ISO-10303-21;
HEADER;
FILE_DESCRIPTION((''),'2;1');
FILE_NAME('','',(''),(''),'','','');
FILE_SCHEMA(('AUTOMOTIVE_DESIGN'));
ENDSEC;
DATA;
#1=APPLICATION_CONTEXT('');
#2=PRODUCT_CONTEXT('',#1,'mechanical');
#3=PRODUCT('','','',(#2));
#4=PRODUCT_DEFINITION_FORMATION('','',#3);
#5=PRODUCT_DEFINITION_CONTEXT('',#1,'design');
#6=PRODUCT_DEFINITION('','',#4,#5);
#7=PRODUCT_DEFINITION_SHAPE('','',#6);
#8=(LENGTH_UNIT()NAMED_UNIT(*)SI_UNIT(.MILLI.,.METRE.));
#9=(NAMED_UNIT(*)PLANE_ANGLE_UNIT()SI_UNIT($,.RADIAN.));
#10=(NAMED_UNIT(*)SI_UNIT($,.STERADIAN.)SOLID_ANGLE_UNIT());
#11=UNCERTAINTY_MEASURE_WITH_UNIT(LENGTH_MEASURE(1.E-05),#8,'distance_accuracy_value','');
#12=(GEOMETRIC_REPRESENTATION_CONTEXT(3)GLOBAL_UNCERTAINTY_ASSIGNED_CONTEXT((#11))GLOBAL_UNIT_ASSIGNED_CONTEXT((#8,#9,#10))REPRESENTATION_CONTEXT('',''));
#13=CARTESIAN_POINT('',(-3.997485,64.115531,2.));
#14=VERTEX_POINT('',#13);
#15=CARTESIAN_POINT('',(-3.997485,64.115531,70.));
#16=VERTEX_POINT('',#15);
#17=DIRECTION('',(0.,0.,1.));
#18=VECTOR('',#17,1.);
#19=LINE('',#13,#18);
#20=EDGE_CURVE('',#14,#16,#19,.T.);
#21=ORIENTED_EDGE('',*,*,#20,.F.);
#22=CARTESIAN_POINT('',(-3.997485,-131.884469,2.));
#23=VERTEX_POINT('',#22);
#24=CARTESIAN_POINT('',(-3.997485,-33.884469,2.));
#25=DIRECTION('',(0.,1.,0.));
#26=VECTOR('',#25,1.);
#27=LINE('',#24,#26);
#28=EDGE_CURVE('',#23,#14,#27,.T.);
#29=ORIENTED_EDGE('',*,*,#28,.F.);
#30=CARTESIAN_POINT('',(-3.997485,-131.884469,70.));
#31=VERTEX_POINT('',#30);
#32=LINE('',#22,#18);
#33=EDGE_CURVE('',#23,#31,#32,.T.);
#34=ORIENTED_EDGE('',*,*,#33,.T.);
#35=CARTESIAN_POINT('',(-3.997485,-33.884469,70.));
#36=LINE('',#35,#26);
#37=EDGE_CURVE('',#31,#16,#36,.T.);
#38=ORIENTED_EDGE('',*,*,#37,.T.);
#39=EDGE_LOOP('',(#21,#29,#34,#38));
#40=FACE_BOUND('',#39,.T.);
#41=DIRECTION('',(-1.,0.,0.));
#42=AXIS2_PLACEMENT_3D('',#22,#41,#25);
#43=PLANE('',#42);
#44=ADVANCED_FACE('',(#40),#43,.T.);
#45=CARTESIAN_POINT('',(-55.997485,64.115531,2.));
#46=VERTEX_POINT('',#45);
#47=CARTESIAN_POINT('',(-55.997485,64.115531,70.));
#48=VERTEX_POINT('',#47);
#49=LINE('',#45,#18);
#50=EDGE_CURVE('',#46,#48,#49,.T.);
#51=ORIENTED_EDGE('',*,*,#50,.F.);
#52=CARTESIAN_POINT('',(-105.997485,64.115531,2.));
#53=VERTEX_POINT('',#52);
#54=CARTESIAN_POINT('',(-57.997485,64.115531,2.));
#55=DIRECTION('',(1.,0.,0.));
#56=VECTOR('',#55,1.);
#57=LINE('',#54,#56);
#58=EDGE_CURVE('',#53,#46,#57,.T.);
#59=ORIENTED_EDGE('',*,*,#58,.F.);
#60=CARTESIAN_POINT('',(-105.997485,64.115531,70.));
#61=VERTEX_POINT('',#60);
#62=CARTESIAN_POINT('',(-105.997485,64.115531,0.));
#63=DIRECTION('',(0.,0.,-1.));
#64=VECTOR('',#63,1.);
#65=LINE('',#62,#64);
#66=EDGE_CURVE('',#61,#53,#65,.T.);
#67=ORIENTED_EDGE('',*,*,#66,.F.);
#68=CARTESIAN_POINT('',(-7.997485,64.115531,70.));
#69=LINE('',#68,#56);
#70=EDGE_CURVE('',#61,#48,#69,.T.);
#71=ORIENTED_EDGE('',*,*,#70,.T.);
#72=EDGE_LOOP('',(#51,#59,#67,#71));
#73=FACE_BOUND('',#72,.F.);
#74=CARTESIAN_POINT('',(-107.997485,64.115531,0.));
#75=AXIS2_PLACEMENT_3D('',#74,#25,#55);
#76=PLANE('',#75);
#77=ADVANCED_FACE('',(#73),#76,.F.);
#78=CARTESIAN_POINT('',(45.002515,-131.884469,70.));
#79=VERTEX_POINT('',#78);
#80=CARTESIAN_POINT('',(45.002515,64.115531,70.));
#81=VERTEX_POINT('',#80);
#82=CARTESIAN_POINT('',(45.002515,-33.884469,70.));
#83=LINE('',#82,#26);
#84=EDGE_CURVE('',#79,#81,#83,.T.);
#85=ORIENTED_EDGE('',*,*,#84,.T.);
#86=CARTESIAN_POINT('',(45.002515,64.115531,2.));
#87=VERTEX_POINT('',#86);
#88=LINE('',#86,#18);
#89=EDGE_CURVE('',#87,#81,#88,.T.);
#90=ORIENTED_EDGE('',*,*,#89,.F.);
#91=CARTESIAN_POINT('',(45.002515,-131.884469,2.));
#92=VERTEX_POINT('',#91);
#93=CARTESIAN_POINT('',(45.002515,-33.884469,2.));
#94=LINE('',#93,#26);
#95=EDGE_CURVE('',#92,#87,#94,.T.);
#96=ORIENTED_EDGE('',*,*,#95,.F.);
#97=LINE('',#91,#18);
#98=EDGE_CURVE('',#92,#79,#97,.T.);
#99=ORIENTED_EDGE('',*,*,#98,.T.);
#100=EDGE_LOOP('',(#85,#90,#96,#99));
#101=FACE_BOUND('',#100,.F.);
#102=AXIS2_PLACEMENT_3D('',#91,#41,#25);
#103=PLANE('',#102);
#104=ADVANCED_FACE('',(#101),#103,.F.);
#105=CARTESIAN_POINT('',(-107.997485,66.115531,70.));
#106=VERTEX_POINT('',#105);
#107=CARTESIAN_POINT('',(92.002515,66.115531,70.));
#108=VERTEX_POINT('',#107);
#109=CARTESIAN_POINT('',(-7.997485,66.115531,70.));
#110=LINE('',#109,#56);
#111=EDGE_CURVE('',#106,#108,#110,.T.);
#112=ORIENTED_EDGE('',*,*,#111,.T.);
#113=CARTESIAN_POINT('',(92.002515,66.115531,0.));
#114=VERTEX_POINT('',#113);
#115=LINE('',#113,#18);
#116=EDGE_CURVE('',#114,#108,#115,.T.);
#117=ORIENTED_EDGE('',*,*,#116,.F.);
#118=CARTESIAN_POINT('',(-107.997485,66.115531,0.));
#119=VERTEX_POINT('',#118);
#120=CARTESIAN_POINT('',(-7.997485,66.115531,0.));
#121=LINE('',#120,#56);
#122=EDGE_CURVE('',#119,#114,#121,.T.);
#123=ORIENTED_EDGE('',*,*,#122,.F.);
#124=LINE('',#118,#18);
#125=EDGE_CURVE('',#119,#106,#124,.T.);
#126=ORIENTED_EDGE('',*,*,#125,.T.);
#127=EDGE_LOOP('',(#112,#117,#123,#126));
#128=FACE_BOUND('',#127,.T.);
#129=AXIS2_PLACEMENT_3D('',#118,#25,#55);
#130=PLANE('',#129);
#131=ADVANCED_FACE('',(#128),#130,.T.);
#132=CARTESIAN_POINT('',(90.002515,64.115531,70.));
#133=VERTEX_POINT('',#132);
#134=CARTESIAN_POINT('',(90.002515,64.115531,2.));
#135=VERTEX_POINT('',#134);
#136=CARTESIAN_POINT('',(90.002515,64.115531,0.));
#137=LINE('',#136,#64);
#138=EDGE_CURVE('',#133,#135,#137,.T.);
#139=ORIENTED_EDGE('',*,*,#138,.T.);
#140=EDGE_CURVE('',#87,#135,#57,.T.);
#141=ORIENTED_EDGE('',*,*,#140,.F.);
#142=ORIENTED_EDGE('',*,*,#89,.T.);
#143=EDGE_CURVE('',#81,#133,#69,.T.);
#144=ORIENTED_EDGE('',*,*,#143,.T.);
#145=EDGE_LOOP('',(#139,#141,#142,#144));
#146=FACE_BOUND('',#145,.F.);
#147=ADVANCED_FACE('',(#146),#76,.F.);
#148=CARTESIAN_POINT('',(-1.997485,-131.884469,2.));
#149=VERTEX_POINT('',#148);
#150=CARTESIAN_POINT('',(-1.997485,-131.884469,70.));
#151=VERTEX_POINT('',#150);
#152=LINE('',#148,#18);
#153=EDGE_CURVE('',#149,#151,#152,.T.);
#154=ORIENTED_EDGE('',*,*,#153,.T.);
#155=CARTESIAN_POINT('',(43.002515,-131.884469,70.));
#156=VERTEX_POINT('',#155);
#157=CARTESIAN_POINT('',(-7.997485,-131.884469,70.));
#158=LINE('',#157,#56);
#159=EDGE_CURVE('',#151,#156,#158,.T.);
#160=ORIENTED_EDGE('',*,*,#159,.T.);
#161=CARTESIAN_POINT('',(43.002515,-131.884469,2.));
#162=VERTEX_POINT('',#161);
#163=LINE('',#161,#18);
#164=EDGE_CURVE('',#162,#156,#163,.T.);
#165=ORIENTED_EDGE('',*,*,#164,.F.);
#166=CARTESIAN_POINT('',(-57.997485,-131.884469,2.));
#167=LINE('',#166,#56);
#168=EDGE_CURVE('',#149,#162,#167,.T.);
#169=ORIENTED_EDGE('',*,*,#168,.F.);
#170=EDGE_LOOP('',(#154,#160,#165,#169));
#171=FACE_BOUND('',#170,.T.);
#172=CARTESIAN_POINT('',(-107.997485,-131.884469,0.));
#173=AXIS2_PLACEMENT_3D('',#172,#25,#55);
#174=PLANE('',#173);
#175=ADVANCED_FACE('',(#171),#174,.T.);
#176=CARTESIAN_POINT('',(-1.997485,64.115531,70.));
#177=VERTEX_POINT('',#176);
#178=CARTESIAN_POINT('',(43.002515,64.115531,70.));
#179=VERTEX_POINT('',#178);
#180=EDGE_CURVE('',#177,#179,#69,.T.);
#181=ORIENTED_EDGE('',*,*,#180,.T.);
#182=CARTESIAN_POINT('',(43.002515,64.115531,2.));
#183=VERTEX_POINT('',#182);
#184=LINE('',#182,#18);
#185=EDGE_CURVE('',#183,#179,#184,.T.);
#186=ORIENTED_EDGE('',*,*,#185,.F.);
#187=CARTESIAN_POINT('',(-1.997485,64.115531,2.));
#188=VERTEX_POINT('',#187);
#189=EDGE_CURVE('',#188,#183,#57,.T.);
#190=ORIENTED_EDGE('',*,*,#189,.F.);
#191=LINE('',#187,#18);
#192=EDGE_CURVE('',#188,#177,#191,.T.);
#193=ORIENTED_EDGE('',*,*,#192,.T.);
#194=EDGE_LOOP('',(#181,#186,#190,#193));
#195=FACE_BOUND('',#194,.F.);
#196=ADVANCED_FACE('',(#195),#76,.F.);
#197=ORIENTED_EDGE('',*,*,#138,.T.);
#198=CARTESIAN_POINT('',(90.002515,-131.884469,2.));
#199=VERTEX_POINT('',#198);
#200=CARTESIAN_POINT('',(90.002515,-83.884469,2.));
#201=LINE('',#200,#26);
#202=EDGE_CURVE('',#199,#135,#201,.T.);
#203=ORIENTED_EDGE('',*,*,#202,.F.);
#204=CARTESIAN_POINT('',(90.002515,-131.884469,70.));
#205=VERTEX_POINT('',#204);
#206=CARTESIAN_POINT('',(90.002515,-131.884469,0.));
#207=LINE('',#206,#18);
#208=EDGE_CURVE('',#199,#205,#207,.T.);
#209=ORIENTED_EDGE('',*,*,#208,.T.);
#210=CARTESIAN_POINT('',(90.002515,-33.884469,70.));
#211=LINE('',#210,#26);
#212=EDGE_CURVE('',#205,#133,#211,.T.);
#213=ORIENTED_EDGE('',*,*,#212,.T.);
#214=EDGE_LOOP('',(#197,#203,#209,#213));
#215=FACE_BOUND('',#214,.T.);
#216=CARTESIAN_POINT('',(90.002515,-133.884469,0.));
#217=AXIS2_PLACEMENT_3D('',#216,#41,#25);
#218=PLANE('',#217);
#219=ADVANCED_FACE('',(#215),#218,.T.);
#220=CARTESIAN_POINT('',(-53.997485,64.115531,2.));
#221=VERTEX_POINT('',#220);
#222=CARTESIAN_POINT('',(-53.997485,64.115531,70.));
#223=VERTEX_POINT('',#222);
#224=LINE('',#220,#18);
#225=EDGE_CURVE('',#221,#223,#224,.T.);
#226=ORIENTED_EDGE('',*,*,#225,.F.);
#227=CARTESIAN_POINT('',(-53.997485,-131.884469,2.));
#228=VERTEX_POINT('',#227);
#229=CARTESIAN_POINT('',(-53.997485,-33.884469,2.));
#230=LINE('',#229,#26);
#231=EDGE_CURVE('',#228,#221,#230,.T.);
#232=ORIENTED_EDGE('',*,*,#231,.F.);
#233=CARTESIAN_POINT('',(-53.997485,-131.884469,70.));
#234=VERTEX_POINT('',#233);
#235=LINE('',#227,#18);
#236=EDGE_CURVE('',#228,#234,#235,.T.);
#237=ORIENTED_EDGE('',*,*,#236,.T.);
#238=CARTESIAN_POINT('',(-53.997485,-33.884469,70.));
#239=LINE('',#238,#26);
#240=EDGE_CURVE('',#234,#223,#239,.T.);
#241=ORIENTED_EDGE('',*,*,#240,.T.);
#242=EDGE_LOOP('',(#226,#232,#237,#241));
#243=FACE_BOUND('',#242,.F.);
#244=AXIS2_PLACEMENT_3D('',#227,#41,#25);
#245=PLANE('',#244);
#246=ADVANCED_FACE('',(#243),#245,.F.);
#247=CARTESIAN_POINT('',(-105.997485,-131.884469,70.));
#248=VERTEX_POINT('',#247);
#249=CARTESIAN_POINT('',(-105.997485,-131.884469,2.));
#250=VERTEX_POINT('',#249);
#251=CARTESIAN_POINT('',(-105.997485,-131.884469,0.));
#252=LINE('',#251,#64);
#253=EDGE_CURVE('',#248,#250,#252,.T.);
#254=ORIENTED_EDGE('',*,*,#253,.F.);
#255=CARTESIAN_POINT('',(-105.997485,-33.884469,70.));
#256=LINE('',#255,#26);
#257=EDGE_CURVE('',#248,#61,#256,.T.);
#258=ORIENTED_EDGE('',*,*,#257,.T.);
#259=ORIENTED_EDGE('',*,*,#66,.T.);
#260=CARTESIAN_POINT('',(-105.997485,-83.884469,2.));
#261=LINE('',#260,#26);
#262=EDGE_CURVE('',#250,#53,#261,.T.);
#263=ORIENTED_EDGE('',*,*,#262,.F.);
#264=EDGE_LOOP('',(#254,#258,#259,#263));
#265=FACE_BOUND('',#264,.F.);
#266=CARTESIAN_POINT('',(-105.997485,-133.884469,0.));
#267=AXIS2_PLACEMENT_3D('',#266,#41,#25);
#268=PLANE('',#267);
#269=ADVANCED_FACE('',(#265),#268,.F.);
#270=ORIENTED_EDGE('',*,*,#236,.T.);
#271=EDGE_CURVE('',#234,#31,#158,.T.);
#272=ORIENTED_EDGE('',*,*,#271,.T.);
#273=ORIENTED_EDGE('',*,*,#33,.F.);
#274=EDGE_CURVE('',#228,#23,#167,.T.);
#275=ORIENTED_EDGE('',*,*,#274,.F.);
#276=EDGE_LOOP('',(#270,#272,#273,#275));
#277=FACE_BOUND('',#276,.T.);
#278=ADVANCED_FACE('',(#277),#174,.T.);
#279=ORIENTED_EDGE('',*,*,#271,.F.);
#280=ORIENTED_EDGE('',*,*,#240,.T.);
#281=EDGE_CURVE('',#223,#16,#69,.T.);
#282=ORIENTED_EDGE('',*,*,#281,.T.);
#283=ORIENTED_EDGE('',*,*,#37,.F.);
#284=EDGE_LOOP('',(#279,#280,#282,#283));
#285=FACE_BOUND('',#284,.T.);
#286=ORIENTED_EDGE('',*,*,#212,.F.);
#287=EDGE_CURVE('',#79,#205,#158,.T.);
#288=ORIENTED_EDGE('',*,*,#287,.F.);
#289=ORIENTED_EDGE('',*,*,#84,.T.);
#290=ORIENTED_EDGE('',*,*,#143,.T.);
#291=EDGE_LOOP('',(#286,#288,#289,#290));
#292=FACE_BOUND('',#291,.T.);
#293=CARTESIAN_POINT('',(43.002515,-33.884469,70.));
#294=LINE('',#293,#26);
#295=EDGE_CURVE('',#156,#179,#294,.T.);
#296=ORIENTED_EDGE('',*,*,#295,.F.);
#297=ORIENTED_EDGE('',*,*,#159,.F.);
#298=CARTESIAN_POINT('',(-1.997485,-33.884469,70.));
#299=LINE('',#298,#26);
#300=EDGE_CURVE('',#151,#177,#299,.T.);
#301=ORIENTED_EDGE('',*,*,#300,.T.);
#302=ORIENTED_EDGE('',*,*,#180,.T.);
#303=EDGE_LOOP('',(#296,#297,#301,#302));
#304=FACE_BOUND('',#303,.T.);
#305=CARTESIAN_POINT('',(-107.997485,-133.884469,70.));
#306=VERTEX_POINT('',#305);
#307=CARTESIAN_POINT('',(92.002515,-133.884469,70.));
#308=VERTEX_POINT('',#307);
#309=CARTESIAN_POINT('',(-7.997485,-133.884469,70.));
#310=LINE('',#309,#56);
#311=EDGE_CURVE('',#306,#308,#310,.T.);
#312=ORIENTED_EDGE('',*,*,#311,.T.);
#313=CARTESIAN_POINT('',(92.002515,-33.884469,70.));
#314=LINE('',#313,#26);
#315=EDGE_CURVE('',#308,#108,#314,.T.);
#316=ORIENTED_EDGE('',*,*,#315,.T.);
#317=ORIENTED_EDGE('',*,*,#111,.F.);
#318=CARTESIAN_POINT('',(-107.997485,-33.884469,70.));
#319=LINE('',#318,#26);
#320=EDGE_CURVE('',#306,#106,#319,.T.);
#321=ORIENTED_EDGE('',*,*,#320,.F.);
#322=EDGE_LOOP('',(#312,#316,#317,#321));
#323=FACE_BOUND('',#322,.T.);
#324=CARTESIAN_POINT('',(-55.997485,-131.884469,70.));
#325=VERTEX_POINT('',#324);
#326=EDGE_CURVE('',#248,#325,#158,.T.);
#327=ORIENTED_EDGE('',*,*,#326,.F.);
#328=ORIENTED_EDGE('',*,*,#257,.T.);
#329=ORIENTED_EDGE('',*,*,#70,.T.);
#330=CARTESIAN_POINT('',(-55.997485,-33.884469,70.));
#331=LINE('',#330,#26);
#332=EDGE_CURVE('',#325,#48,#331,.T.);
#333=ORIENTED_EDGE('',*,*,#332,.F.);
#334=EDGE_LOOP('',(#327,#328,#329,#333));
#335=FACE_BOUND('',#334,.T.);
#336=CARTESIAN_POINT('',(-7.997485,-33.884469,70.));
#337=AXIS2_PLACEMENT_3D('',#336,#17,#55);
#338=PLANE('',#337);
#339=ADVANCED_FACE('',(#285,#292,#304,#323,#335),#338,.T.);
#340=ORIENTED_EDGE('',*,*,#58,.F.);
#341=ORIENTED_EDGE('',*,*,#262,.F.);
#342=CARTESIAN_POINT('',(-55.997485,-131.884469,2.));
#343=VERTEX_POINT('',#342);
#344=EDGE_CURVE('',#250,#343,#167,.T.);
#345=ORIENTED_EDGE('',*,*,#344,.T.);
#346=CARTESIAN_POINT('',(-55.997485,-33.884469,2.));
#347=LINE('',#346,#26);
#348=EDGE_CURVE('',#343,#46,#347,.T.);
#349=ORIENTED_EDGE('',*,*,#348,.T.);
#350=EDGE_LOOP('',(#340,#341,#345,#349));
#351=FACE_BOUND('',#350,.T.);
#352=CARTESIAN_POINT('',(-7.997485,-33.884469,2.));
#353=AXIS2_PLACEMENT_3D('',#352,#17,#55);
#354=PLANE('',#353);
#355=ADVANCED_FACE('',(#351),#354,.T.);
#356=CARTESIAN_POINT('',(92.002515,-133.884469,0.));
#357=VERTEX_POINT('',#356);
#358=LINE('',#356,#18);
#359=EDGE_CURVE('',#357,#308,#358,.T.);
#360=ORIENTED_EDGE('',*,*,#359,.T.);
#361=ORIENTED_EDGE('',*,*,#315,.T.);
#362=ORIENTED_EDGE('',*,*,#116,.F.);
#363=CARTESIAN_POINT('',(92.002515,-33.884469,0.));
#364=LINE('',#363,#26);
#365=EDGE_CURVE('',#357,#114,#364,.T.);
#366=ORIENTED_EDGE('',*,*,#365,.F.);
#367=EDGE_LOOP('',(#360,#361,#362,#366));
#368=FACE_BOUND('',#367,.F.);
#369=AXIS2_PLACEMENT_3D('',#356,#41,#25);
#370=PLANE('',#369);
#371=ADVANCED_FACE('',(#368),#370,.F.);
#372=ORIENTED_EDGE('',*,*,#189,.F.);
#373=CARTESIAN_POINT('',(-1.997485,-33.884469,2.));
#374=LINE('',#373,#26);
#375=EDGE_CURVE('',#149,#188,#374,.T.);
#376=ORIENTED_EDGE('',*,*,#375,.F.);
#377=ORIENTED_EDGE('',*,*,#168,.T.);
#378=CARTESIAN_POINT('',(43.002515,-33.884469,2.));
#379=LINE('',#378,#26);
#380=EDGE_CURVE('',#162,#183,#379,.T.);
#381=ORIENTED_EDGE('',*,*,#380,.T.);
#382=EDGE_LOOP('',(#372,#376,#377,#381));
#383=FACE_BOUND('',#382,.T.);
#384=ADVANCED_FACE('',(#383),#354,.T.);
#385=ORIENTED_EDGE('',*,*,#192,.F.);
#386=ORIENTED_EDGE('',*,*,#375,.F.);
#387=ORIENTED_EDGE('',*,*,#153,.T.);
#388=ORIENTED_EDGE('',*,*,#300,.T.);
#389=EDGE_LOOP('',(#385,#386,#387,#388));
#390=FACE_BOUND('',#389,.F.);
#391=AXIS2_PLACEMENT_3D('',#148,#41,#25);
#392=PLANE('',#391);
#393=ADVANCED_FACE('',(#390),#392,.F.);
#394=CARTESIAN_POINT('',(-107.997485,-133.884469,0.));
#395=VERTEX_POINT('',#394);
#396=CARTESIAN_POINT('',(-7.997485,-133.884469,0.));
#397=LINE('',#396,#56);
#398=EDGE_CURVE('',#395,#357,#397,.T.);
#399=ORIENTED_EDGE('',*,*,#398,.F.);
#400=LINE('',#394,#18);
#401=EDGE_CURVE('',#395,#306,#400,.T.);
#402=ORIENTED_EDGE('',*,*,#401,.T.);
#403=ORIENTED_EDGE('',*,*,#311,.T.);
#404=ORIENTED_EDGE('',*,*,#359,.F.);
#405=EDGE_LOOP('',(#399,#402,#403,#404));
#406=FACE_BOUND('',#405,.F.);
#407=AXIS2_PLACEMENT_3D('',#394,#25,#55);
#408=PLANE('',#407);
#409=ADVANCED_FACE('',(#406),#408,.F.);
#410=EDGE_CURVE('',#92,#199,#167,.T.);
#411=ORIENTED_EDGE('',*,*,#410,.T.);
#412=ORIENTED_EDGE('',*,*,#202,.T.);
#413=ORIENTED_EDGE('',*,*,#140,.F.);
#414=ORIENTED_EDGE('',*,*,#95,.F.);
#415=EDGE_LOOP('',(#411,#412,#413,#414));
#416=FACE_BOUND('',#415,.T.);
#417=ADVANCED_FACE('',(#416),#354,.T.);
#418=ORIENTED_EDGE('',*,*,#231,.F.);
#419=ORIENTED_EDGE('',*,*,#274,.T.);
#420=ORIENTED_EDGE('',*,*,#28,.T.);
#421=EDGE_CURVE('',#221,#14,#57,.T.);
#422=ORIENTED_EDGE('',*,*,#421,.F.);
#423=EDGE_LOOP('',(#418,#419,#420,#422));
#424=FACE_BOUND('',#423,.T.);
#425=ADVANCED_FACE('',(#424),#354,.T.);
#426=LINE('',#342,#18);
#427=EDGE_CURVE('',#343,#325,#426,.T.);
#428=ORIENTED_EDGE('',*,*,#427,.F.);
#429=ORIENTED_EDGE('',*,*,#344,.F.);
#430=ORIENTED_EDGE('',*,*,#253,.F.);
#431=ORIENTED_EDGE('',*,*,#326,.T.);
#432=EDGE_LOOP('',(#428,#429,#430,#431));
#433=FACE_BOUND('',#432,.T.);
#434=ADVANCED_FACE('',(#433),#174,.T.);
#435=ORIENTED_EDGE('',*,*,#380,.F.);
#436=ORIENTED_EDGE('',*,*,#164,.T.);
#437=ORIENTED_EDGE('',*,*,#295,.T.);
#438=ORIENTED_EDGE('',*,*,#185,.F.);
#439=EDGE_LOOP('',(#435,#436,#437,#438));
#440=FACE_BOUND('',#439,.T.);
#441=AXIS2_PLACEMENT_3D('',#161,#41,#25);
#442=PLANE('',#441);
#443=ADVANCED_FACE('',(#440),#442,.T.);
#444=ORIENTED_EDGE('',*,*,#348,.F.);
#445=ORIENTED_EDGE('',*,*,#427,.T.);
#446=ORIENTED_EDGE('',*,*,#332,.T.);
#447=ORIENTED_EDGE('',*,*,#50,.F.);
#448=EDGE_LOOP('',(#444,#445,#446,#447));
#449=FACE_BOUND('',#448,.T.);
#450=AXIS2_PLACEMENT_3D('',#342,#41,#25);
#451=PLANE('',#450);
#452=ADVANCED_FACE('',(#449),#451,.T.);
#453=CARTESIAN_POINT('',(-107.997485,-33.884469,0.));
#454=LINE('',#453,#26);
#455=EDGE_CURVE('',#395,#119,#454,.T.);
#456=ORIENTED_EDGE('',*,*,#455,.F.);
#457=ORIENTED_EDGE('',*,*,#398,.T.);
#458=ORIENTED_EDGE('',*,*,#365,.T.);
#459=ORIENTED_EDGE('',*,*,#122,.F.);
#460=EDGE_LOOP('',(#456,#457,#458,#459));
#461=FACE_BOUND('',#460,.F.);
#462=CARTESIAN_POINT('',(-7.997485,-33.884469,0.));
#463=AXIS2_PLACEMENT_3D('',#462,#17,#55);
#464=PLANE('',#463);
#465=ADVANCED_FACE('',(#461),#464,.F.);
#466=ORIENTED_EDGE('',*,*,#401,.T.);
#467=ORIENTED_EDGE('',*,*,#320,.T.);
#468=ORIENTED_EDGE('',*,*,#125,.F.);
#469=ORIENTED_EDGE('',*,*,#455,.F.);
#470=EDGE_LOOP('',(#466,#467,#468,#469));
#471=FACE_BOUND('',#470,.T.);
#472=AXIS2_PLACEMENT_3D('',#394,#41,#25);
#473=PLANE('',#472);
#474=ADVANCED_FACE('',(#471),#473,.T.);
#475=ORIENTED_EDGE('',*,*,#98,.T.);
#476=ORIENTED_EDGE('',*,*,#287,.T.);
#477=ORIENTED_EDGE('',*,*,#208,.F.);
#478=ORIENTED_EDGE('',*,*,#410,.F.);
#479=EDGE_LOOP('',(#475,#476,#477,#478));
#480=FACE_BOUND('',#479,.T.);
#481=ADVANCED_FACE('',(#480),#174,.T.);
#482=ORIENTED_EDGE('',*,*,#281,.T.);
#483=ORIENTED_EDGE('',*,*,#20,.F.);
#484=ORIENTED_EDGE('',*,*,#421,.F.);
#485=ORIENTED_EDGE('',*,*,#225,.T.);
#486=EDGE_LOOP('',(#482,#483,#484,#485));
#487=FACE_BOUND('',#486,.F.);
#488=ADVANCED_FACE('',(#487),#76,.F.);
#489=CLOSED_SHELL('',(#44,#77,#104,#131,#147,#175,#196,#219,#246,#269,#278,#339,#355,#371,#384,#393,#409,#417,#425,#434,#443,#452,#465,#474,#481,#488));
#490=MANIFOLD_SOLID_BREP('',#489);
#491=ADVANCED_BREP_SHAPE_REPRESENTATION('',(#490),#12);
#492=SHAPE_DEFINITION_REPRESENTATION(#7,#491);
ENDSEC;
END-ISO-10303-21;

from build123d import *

# Parameters (mm, degrees)
F0_W     = 200
F0_H     = 200
F1_DEPTH = 70
F2_T     = -2
F3_W     = 2
F3_H     = 196
F4_DEPTH = 68


with BuildPart() as f1:
    # F0 (on Top) → F1 (new body)
    with BuildSketch(Plane.XY):
        with Locations((-7.9974851012, -33.8844692809)):
            Rectangle(F0_W, F0_H)
    extrude(amount=F1_DEPTH)

    # F2
    f2_openings = [f1.faces().sort_by_distance(p)[0] for p in [
        (-7.997485, -33.884469, 70),
    ]]
    offset(amount=F2_T, openings=f2_openings)

    # F3 (on face) → F4 (join)
    with BuildSketch(Plane.XY.offset(2)):
        with Locations((-54.9974851012, -33.8844692809)):
            Rectangle(F3_W, F3_H)
        with Locations((-2.9974851012, -33.8844692809)):
            Rectangle(F3_W, F3_H)
        with Locations((44.0025148988, -33.8844692809)):
            Rectangle(F3_W, F3_H)
    extrude(amount=F4_DEPTH)


solid = f1.part
